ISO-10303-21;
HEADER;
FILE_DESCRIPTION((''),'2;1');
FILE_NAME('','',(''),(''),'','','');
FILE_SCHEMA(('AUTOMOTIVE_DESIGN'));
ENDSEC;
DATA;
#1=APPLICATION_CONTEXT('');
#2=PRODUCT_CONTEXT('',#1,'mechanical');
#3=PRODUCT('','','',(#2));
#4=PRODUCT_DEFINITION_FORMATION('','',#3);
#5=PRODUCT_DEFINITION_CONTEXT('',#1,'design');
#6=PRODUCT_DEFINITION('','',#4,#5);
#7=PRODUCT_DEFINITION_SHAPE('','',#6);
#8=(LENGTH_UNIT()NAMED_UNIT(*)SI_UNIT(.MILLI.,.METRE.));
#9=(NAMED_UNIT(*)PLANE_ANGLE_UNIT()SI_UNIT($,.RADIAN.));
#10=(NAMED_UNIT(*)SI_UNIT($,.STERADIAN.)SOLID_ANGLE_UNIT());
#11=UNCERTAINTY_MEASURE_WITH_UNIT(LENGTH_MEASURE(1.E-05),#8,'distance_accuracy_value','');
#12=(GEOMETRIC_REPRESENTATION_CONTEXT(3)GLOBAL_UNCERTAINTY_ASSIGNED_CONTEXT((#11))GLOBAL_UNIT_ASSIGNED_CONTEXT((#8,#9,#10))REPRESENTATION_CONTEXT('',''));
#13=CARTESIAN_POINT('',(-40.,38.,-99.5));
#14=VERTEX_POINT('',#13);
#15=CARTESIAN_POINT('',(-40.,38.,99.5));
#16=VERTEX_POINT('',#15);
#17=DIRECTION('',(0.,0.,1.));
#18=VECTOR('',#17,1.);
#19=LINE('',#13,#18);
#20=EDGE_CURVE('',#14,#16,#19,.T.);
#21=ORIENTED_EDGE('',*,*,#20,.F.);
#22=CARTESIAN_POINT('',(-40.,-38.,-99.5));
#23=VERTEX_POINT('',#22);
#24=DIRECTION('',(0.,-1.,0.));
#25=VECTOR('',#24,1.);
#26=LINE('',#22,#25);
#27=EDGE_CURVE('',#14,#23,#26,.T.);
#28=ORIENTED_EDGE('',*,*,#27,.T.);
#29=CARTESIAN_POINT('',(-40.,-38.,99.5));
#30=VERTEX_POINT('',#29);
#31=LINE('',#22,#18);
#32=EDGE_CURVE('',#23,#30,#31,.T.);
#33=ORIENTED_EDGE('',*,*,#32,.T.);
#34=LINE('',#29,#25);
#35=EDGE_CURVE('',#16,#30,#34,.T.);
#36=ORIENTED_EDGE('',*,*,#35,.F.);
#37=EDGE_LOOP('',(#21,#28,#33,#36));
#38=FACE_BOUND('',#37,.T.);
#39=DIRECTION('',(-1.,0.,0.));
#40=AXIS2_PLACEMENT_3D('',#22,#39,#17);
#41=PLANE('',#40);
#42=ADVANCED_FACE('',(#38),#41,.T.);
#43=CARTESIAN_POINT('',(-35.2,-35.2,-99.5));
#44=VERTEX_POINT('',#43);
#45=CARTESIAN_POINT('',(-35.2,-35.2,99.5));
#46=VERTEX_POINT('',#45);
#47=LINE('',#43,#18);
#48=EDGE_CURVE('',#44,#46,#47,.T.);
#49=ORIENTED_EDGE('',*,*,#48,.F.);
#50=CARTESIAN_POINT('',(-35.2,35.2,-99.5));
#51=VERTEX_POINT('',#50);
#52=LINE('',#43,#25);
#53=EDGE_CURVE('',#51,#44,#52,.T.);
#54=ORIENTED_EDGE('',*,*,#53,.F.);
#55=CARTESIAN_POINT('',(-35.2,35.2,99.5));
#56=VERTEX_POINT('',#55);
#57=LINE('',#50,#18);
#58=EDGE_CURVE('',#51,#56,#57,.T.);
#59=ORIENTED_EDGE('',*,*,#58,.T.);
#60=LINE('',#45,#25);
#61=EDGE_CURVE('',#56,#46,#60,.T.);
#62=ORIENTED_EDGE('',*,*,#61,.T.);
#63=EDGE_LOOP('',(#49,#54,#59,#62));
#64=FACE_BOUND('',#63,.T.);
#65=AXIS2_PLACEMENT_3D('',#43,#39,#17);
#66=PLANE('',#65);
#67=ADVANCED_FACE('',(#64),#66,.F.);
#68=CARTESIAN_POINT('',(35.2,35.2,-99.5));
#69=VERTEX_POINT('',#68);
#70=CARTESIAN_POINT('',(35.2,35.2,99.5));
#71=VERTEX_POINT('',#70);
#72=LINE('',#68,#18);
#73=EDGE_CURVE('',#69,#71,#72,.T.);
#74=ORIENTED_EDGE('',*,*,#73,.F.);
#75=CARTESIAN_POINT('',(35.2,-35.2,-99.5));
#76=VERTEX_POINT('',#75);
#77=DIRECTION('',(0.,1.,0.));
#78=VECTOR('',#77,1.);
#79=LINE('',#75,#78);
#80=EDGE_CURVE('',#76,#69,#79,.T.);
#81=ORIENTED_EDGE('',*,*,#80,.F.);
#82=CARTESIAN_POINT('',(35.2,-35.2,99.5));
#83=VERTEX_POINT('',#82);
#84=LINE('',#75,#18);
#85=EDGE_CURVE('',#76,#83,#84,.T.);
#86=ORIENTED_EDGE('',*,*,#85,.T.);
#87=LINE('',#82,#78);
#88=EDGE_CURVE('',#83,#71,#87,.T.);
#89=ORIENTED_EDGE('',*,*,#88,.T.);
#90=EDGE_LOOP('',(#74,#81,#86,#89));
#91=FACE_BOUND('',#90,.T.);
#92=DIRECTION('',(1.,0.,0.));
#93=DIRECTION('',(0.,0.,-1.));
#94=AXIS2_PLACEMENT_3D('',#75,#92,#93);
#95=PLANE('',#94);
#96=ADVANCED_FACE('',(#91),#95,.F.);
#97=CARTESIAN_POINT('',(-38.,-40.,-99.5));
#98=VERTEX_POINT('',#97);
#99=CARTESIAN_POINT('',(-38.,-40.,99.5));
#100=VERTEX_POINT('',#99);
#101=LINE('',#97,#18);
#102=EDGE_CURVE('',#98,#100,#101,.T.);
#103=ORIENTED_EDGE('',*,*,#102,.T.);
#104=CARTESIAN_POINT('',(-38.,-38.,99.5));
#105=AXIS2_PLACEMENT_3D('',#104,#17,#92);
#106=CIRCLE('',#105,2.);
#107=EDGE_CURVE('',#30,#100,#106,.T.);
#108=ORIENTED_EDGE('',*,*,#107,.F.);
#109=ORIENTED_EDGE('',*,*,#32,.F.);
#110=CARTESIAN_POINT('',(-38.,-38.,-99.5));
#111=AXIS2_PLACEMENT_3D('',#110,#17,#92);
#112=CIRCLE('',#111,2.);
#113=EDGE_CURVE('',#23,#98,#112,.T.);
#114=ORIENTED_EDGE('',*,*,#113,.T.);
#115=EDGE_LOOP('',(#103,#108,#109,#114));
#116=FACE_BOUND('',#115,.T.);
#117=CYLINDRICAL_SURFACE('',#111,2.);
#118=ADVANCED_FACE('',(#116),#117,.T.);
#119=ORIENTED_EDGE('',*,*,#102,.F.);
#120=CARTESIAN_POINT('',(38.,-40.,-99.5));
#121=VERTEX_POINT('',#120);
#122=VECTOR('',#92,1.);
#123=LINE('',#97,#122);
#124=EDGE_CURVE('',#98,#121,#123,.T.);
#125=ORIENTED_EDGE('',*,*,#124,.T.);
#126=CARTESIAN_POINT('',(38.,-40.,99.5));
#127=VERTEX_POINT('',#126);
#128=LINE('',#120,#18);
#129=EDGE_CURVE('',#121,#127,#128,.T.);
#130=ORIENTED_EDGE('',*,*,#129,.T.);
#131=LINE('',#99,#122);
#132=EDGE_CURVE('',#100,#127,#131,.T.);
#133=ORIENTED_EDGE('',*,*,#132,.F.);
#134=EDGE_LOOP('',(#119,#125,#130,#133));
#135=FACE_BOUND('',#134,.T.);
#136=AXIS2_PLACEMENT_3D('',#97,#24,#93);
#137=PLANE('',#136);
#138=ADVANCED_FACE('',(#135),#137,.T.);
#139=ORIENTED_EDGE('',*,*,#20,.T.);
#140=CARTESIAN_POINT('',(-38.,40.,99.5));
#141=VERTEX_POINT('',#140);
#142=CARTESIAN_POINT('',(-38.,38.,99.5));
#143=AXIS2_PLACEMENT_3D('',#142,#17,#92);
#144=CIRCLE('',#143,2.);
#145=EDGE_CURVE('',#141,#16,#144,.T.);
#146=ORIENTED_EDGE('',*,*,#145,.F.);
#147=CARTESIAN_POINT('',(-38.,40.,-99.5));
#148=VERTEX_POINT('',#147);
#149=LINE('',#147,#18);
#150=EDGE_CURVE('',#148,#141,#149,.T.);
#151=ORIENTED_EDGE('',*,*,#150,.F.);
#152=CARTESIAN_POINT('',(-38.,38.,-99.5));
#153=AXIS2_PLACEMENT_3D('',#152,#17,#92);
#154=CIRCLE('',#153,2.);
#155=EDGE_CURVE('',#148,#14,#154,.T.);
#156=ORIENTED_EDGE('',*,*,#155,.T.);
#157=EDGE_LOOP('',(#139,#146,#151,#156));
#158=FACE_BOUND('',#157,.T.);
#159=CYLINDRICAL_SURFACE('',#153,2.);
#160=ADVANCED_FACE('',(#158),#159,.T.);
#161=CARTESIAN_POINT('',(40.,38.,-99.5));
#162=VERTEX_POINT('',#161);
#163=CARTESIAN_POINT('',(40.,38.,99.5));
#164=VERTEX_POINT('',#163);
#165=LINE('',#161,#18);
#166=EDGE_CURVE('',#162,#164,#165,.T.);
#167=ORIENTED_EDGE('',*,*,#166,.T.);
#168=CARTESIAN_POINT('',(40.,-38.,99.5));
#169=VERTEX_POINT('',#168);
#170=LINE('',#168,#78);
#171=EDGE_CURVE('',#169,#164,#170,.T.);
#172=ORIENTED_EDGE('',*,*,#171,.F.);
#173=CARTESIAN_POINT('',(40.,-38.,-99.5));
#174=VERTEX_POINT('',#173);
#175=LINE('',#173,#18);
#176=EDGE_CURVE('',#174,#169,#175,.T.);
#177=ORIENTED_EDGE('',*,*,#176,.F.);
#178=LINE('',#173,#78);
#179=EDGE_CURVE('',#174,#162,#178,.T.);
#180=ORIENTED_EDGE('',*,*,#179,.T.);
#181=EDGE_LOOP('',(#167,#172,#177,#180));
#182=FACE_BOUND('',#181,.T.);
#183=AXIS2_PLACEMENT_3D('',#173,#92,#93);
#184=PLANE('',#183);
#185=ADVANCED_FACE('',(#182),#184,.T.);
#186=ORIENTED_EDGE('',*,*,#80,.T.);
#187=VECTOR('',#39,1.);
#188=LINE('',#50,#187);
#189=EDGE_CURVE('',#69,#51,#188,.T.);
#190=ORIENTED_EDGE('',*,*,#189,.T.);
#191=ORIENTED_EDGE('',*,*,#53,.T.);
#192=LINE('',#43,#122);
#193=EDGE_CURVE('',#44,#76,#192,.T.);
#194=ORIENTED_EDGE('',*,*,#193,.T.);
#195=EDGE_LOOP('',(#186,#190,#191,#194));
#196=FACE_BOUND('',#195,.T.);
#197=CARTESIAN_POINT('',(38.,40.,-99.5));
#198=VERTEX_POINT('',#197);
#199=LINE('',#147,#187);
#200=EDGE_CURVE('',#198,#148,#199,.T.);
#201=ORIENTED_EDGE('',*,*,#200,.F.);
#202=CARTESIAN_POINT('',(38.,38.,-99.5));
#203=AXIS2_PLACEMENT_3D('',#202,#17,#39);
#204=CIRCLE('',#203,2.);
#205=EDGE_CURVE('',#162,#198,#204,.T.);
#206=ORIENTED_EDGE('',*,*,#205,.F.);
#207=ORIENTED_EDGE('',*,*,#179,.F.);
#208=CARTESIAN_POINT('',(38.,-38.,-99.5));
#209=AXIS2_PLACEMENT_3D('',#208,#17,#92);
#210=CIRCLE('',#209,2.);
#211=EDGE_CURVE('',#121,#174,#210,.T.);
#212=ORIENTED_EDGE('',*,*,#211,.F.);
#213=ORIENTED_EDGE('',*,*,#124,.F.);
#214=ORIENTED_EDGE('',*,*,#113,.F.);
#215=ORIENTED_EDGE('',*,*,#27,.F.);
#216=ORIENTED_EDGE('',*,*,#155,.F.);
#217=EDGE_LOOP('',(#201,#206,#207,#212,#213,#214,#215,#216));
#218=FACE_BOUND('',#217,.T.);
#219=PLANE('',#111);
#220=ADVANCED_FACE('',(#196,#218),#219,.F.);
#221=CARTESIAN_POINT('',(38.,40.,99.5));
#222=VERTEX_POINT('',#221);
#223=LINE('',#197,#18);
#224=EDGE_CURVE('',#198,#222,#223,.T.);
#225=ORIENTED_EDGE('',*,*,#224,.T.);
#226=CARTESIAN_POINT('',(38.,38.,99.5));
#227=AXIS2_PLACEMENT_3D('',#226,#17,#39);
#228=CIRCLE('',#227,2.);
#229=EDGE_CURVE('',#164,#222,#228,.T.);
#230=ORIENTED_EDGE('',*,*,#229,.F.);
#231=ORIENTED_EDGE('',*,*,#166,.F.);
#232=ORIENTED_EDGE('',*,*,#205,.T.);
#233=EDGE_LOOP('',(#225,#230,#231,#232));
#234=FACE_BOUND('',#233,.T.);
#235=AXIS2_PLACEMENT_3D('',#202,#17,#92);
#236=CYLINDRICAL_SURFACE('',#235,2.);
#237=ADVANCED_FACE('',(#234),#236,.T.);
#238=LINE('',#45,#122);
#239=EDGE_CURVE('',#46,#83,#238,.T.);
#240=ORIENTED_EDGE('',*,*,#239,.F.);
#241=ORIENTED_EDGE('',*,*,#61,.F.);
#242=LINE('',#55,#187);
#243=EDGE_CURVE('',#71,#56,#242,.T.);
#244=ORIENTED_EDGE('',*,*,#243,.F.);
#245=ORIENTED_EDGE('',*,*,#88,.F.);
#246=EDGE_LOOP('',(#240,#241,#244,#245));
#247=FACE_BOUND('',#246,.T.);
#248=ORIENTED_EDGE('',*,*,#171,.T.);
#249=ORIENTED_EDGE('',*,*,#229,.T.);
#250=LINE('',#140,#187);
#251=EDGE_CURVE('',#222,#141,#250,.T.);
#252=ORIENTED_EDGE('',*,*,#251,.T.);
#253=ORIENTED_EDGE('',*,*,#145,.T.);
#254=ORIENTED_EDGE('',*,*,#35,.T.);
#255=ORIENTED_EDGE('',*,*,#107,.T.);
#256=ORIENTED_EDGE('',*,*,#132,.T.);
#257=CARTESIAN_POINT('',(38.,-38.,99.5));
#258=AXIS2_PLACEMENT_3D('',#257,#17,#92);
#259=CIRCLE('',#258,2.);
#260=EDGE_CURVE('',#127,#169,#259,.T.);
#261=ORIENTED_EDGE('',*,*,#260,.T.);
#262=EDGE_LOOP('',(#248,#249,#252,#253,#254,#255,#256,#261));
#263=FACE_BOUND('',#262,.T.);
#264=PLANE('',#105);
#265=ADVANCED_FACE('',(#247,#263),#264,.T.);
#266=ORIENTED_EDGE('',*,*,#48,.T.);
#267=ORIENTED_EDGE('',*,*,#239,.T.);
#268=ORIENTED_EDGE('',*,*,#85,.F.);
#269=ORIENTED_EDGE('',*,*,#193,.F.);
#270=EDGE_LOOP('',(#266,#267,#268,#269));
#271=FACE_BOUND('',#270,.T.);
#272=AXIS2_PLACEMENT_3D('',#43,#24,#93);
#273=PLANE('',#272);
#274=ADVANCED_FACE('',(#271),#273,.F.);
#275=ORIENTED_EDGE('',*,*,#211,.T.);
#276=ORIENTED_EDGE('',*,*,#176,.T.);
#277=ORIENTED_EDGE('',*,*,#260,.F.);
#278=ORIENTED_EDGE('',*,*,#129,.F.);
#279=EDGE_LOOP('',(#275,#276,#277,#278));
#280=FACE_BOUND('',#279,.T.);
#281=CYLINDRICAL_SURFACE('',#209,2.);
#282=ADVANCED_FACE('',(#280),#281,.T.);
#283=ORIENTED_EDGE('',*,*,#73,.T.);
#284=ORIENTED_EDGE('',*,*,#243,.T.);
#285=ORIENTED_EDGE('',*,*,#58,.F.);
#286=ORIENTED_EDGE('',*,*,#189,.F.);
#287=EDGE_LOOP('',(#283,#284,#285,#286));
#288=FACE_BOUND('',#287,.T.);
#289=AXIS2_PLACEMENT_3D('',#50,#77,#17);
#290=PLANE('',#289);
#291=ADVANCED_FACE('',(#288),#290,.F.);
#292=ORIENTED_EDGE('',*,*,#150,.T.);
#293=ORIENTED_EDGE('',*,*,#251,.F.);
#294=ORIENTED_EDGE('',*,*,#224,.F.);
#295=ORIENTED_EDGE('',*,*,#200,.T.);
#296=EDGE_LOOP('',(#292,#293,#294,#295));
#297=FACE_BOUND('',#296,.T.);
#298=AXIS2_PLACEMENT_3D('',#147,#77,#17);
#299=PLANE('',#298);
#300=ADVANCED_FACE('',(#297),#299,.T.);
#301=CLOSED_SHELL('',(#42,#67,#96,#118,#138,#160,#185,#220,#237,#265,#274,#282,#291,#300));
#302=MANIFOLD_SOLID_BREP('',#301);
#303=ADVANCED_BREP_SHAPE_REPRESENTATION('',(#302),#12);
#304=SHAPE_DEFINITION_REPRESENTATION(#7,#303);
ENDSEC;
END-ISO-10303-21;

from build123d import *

# Parameters (mm, degrees)
ESBO_O1_W                = 70.4
ESBO_O1_H                = 70.4
RESSALTO_EXTRUS_O1_DEPTH = 99.5


with BuildPart() as part:
    # Esboço1 → Ressalto-extrusão1 (new, symmetric)
    with BuildSketch(Plane.XY):
        with BuildLine():
            Line((-38, -40), (38, -40))
            ThreePointArc((38, -40), (39.414213562, -39.414213562), (40, -38))
            Line((40, -38), (40, 38))
            ThreePointArc((40, 38), (39.414213562, 39.414213562), (38, 40))
            Line((38, 40), (-38, 40))
            ThreePointArc((-38, 40), (-39.414213562, 39.414213562), (-40, 38))
            Line((-40, 38), (-40, -38))
            ThreePointArc((-40, -38), (-39.414213562, -39.414213562), (-38, -40))
        make_face()
        Rectangle(ESBO_O1_W, ESBO_O1_H, mode=Mode.SUBTRACT)
    extrude(amount=RESSALTO_EXTRUS_O1_DEPTH, both=True)


solid = part.part
